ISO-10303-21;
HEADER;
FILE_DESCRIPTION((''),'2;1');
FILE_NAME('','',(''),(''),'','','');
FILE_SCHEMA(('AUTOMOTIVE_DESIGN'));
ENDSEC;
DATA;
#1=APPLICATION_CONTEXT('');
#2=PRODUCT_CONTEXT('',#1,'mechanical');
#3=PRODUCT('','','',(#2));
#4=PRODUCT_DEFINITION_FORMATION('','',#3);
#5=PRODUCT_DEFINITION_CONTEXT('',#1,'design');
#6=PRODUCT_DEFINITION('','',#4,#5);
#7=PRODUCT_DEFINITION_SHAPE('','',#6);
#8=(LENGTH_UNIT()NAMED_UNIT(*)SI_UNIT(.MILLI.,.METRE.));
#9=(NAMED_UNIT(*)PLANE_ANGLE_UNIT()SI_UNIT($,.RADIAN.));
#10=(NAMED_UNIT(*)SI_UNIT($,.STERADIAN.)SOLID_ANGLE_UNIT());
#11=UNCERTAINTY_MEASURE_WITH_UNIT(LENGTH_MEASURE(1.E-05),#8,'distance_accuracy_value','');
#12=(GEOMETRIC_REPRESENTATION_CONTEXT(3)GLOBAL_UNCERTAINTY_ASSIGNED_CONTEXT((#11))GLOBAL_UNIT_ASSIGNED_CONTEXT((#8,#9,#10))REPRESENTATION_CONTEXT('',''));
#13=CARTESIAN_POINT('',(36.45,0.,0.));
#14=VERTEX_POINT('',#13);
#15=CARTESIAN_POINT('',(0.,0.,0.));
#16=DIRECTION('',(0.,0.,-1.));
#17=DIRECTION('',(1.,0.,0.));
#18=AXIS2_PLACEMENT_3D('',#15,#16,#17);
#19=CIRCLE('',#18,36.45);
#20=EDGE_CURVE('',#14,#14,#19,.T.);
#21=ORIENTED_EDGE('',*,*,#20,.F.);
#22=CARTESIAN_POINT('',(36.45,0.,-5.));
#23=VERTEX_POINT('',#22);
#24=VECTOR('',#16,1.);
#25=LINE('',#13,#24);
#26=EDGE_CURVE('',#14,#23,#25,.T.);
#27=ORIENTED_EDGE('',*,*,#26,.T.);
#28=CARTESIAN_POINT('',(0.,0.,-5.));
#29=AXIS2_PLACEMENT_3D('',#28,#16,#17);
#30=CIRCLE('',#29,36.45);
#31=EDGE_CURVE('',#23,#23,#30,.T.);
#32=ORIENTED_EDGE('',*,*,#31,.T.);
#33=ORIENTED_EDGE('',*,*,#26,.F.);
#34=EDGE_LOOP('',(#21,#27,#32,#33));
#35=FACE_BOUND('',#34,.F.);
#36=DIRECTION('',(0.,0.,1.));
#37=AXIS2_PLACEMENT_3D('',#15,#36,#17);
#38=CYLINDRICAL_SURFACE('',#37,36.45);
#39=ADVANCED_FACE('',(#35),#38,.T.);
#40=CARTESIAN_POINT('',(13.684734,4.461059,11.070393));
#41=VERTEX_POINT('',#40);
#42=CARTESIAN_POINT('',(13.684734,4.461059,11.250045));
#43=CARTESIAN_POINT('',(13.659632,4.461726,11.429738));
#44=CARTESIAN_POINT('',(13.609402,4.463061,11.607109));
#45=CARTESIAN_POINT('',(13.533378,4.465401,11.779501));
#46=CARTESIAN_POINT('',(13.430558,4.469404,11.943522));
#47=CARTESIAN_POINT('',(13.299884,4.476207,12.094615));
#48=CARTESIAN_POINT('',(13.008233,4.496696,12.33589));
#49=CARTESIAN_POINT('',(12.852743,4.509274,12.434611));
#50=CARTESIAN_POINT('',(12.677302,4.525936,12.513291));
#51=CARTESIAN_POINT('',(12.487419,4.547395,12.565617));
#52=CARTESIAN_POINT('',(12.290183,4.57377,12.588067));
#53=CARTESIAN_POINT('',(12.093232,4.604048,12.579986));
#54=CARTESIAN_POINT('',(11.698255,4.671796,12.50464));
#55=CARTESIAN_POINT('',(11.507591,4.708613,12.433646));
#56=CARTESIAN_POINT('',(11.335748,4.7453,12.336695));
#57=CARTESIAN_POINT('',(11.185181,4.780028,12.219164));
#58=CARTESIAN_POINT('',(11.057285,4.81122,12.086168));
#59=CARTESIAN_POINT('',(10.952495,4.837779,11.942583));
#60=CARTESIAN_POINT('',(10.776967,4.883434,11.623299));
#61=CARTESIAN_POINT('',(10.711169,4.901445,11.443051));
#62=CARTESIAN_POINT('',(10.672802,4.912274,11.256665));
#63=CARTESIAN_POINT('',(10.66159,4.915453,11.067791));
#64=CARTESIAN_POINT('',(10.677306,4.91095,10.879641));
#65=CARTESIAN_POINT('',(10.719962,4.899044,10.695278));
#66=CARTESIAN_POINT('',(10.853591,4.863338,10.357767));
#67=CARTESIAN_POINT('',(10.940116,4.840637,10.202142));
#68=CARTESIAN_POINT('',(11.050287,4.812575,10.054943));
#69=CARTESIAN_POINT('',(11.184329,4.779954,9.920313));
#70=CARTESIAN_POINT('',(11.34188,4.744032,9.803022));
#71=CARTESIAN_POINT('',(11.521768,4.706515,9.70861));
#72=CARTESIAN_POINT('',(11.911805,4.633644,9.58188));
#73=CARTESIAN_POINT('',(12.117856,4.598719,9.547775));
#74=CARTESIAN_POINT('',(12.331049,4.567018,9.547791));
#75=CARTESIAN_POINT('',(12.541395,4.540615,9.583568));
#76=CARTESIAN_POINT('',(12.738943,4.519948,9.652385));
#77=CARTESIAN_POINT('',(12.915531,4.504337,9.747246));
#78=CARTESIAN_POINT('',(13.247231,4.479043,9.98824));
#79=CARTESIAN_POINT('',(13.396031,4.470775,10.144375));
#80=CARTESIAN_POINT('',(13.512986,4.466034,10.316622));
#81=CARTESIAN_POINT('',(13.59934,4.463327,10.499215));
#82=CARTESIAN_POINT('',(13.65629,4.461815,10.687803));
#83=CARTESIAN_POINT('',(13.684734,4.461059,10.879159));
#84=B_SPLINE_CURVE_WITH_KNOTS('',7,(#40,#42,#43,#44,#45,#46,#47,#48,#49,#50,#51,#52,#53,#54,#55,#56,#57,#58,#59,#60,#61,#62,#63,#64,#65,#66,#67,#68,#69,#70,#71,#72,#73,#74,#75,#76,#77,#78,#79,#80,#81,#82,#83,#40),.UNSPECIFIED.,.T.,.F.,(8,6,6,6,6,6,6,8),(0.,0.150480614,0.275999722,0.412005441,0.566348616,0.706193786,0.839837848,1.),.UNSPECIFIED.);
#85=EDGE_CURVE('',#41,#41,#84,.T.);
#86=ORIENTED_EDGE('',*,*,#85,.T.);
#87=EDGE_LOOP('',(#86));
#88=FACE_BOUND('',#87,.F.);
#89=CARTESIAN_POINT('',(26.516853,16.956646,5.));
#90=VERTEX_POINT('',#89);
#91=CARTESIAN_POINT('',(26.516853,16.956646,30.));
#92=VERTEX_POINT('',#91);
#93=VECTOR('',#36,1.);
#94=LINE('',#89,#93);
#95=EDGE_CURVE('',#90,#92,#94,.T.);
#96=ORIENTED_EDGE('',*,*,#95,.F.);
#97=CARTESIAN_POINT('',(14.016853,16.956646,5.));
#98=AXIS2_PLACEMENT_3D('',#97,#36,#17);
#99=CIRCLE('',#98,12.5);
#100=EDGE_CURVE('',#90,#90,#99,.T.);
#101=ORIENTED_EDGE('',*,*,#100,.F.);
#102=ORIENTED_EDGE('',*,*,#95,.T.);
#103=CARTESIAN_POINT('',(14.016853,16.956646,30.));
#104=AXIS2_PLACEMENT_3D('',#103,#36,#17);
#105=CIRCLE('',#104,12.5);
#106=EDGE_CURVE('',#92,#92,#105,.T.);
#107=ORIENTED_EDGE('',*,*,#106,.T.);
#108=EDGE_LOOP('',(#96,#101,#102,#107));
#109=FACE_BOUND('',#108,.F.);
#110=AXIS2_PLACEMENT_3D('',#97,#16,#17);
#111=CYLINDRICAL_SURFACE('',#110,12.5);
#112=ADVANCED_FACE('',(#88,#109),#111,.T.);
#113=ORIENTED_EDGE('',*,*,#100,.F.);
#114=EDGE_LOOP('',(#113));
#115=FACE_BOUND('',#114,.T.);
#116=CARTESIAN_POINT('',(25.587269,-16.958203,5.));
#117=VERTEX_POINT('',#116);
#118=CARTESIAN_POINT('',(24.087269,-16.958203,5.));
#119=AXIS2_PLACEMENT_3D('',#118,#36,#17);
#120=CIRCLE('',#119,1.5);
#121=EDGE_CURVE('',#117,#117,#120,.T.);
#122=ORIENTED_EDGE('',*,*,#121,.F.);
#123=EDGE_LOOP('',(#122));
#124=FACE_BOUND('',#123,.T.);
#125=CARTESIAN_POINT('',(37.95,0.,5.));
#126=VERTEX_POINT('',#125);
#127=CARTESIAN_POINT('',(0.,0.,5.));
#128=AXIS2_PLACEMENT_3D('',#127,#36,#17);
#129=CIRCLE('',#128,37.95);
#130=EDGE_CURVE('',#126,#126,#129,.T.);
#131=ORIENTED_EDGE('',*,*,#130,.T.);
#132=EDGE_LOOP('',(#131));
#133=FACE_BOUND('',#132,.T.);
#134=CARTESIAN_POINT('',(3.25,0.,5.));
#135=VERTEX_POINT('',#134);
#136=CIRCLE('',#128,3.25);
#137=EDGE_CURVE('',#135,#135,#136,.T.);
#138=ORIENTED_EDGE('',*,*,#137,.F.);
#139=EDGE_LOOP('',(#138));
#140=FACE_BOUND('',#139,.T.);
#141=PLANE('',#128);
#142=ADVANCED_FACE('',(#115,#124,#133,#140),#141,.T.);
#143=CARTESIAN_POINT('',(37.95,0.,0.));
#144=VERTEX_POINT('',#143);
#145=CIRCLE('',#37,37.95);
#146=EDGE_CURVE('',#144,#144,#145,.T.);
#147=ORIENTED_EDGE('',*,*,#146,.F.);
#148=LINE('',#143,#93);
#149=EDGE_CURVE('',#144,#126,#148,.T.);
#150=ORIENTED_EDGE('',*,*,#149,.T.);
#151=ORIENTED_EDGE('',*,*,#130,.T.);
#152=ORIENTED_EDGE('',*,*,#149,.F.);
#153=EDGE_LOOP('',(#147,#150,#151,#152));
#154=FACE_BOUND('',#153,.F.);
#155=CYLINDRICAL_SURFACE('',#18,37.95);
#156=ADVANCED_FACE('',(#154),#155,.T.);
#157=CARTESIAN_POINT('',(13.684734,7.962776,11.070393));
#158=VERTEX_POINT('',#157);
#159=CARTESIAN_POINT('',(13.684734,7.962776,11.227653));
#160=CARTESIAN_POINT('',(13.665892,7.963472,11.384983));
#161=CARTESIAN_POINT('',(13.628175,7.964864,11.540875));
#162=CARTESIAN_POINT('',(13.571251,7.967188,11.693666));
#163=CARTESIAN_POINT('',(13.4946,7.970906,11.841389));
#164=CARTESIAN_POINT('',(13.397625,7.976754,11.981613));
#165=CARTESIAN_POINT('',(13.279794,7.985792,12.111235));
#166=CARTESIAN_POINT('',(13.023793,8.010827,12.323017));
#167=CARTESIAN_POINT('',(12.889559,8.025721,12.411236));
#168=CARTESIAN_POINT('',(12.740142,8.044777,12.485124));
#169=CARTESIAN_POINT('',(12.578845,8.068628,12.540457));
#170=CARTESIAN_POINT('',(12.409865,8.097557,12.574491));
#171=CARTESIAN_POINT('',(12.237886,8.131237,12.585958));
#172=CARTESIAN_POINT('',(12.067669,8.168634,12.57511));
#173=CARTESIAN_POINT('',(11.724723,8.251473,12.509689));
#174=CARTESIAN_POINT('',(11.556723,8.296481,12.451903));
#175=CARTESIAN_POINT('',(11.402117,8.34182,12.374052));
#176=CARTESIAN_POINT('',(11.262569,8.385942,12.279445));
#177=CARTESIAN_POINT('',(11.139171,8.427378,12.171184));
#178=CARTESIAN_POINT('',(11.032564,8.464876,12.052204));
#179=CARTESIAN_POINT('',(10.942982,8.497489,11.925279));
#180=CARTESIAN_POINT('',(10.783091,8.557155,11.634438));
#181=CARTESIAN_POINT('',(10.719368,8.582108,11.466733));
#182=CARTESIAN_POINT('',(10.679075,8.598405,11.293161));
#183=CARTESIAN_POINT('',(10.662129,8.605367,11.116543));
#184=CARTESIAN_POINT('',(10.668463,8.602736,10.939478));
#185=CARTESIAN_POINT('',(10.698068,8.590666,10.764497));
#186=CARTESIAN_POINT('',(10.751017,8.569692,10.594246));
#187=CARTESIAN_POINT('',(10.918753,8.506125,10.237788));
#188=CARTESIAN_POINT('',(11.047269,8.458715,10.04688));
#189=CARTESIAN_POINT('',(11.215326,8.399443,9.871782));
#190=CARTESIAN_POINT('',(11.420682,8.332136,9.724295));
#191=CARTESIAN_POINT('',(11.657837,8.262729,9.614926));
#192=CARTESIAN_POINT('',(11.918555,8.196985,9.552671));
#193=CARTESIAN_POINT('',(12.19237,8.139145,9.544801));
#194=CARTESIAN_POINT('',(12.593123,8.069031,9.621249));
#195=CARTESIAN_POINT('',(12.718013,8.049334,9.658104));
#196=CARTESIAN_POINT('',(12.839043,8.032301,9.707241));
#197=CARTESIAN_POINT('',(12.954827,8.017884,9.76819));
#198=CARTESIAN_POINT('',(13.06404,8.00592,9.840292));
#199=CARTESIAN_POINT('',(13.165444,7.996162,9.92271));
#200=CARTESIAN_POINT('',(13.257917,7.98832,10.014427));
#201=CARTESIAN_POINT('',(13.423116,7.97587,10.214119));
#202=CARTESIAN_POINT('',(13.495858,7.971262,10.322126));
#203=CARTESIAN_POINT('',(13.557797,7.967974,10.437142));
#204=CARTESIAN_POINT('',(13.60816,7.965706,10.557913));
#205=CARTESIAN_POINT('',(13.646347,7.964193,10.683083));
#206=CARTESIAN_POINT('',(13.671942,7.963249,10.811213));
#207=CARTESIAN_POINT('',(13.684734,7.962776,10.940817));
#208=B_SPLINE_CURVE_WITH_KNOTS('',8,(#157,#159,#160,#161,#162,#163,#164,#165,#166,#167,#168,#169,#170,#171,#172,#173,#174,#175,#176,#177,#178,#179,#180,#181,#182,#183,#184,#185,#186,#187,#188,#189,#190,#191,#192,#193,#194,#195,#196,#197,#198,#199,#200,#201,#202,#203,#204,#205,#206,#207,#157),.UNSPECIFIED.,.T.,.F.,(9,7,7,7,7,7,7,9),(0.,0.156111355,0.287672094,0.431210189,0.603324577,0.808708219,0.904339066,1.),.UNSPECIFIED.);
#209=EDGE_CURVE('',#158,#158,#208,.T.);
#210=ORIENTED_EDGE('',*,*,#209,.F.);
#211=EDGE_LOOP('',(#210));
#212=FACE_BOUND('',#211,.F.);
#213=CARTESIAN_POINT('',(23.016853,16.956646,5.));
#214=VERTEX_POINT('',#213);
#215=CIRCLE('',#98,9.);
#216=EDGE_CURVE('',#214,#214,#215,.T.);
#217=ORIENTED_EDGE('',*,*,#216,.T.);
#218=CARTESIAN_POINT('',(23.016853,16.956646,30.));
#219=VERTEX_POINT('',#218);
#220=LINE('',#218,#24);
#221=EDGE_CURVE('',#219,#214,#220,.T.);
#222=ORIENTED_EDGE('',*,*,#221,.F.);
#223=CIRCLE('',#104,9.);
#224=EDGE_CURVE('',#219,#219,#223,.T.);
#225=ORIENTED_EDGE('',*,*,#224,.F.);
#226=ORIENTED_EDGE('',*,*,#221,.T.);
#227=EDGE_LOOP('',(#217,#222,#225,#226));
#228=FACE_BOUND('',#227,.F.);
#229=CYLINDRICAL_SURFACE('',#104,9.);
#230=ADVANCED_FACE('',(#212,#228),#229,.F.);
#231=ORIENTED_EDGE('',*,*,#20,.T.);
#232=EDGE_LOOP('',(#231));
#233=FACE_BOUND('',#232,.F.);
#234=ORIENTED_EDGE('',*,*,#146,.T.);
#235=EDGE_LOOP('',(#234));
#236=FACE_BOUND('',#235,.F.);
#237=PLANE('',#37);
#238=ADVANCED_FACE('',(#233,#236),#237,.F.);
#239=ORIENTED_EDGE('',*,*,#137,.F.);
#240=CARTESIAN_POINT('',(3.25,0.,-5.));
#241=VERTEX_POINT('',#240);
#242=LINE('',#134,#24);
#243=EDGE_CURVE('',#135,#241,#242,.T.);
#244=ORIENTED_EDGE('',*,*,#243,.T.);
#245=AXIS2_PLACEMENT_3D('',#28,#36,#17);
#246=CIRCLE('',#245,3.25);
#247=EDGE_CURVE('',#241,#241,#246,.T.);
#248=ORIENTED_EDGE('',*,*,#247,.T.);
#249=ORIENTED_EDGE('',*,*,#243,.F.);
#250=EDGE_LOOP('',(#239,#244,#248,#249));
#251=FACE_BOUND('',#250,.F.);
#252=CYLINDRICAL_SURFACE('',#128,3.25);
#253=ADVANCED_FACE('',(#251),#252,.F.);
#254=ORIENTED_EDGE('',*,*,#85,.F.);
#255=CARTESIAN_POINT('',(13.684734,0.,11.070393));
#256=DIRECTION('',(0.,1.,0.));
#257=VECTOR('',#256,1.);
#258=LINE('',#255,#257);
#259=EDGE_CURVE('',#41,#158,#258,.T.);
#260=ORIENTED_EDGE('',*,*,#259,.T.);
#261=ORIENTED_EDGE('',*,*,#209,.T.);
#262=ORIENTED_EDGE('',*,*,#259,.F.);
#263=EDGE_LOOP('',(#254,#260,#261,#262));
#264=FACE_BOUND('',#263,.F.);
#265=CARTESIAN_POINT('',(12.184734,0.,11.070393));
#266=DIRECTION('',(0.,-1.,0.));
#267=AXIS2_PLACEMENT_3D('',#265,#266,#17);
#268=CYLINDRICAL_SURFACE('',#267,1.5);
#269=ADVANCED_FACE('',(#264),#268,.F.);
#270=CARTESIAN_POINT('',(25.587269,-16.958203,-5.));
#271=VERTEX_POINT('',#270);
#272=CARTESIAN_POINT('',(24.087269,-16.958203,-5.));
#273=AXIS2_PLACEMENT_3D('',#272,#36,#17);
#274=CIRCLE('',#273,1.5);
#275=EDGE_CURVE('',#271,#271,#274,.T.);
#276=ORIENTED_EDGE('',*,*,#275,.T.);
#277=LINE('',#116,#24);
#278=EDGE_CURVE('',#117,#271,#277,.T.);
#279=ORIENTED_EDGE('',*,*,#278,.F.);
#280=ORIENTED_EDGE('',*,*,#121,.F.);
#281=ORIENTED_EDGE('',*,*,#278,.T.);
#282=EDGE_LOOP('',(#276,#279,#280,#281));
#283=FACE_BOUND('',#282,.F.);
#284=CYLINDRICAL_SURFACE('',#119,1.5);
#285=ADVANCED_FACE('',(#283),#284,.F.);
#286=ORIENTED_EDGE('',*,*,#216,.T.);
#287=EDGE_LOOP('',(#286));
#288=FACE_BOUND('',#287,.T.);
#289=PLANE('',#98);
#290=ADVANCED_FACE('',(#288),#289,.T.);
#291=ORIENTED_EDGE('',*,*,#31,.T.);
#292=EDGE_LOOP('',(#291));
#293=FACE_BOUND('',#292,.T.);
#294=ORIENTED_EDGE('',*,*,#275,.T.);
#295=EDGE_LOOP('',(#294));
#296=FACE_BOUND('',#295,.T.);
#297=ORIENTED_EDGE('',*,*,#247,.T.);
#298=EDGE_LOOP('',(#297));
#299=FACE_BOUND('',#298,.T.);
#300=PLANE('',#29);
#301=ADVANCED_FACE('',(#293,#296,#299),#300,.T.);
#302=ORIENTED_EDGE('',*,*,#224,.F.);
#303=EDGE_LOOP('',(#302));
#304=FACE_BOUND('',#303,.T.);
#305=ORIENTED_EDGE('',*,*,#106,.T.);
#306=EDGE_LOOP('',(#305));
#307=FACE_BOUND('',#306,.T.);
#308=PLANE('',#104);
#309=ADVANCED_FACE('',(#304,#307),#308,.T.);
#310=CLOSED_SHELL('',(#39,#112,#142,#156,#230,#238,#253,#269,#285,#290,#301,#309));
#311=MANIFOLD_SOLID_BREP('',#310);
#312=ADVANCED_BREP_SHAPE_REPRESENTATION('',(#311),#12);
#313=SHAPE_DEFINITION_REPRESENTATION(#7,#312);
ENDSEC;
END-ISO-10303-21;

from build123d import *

# Parameters (mm, degrees)
F0_R      = 37.95
F1_DEPTH  = 5
F2_R      = 36.45
F3_DEPTH  = 5
F4_R      = 3.25
F5_DEPTH  = 10
F6_R      = 12.5
F7_DEPTH  = 25
F8_R      = 9
F9_DEPTH  = 25
F10_R     = 1.5
F11_DEPTH = 10
F12_R     = 1.5
F13_DEPTH = 10


with BuildPart() as f1:
    # F0 (on Top) → F1 (new body)
    with BuildSketch(Plane.XY):
        Circle(F0_R)
    extrude(amount=F1_DEPTH)

    # F2 (on face) → F3 (join)
    with BuildSketch(Plane(origin=(0, 0, 0), x_dir=(1, 0, 0), z_dir=(0, 0, -1))):
        Circle(F2_R)
    extrude(amount=F3_DEPTH)

    # F4 (on face) → F5 (cut)
    with BuildSketch(Plane.XY.offset(5)):
        Circle(F4_R)
    extrude(amount=-F5_DEPTH, mode=Mode.SUBTRACT)

    # F6 (on face) → F7 (join)
    with BuildSketch(Plane.XY.offset(5)):
        with Locations((14.016853, 16.956646)):
            Circle(F6_R)
    extrude(amount=F7_DEPTH)

    # F8 (on face) → F9 (cut)
    with BuildSketch(Plane.XY.offset(30)):
        with Locations((14.016853, 16.956646)):
            Circle(F8_R)
    extrude(amount=-F9_DEPTH, mode=Mode.SUBTRACT)

    # F10 (on face) → F11 (cut)
    with BuildSketch(Plane.XY.offset(5)):
        with Locations((24.087269, -16.958203)):
            Circle(F10_R)
    extrude(amount=-F11_DEPTH, mode=Mode.SUBTRACT)

    # F12 (on Front) → F13 (cut)
    with BuildSketch(Plane.XZ):
        with Locations((12.184734, 11.070393)):
            Circle(F12_R)
    extrude(amount=-F13_DEPTH, mode=Mode.SUBTRACT)


solid = f1.part
